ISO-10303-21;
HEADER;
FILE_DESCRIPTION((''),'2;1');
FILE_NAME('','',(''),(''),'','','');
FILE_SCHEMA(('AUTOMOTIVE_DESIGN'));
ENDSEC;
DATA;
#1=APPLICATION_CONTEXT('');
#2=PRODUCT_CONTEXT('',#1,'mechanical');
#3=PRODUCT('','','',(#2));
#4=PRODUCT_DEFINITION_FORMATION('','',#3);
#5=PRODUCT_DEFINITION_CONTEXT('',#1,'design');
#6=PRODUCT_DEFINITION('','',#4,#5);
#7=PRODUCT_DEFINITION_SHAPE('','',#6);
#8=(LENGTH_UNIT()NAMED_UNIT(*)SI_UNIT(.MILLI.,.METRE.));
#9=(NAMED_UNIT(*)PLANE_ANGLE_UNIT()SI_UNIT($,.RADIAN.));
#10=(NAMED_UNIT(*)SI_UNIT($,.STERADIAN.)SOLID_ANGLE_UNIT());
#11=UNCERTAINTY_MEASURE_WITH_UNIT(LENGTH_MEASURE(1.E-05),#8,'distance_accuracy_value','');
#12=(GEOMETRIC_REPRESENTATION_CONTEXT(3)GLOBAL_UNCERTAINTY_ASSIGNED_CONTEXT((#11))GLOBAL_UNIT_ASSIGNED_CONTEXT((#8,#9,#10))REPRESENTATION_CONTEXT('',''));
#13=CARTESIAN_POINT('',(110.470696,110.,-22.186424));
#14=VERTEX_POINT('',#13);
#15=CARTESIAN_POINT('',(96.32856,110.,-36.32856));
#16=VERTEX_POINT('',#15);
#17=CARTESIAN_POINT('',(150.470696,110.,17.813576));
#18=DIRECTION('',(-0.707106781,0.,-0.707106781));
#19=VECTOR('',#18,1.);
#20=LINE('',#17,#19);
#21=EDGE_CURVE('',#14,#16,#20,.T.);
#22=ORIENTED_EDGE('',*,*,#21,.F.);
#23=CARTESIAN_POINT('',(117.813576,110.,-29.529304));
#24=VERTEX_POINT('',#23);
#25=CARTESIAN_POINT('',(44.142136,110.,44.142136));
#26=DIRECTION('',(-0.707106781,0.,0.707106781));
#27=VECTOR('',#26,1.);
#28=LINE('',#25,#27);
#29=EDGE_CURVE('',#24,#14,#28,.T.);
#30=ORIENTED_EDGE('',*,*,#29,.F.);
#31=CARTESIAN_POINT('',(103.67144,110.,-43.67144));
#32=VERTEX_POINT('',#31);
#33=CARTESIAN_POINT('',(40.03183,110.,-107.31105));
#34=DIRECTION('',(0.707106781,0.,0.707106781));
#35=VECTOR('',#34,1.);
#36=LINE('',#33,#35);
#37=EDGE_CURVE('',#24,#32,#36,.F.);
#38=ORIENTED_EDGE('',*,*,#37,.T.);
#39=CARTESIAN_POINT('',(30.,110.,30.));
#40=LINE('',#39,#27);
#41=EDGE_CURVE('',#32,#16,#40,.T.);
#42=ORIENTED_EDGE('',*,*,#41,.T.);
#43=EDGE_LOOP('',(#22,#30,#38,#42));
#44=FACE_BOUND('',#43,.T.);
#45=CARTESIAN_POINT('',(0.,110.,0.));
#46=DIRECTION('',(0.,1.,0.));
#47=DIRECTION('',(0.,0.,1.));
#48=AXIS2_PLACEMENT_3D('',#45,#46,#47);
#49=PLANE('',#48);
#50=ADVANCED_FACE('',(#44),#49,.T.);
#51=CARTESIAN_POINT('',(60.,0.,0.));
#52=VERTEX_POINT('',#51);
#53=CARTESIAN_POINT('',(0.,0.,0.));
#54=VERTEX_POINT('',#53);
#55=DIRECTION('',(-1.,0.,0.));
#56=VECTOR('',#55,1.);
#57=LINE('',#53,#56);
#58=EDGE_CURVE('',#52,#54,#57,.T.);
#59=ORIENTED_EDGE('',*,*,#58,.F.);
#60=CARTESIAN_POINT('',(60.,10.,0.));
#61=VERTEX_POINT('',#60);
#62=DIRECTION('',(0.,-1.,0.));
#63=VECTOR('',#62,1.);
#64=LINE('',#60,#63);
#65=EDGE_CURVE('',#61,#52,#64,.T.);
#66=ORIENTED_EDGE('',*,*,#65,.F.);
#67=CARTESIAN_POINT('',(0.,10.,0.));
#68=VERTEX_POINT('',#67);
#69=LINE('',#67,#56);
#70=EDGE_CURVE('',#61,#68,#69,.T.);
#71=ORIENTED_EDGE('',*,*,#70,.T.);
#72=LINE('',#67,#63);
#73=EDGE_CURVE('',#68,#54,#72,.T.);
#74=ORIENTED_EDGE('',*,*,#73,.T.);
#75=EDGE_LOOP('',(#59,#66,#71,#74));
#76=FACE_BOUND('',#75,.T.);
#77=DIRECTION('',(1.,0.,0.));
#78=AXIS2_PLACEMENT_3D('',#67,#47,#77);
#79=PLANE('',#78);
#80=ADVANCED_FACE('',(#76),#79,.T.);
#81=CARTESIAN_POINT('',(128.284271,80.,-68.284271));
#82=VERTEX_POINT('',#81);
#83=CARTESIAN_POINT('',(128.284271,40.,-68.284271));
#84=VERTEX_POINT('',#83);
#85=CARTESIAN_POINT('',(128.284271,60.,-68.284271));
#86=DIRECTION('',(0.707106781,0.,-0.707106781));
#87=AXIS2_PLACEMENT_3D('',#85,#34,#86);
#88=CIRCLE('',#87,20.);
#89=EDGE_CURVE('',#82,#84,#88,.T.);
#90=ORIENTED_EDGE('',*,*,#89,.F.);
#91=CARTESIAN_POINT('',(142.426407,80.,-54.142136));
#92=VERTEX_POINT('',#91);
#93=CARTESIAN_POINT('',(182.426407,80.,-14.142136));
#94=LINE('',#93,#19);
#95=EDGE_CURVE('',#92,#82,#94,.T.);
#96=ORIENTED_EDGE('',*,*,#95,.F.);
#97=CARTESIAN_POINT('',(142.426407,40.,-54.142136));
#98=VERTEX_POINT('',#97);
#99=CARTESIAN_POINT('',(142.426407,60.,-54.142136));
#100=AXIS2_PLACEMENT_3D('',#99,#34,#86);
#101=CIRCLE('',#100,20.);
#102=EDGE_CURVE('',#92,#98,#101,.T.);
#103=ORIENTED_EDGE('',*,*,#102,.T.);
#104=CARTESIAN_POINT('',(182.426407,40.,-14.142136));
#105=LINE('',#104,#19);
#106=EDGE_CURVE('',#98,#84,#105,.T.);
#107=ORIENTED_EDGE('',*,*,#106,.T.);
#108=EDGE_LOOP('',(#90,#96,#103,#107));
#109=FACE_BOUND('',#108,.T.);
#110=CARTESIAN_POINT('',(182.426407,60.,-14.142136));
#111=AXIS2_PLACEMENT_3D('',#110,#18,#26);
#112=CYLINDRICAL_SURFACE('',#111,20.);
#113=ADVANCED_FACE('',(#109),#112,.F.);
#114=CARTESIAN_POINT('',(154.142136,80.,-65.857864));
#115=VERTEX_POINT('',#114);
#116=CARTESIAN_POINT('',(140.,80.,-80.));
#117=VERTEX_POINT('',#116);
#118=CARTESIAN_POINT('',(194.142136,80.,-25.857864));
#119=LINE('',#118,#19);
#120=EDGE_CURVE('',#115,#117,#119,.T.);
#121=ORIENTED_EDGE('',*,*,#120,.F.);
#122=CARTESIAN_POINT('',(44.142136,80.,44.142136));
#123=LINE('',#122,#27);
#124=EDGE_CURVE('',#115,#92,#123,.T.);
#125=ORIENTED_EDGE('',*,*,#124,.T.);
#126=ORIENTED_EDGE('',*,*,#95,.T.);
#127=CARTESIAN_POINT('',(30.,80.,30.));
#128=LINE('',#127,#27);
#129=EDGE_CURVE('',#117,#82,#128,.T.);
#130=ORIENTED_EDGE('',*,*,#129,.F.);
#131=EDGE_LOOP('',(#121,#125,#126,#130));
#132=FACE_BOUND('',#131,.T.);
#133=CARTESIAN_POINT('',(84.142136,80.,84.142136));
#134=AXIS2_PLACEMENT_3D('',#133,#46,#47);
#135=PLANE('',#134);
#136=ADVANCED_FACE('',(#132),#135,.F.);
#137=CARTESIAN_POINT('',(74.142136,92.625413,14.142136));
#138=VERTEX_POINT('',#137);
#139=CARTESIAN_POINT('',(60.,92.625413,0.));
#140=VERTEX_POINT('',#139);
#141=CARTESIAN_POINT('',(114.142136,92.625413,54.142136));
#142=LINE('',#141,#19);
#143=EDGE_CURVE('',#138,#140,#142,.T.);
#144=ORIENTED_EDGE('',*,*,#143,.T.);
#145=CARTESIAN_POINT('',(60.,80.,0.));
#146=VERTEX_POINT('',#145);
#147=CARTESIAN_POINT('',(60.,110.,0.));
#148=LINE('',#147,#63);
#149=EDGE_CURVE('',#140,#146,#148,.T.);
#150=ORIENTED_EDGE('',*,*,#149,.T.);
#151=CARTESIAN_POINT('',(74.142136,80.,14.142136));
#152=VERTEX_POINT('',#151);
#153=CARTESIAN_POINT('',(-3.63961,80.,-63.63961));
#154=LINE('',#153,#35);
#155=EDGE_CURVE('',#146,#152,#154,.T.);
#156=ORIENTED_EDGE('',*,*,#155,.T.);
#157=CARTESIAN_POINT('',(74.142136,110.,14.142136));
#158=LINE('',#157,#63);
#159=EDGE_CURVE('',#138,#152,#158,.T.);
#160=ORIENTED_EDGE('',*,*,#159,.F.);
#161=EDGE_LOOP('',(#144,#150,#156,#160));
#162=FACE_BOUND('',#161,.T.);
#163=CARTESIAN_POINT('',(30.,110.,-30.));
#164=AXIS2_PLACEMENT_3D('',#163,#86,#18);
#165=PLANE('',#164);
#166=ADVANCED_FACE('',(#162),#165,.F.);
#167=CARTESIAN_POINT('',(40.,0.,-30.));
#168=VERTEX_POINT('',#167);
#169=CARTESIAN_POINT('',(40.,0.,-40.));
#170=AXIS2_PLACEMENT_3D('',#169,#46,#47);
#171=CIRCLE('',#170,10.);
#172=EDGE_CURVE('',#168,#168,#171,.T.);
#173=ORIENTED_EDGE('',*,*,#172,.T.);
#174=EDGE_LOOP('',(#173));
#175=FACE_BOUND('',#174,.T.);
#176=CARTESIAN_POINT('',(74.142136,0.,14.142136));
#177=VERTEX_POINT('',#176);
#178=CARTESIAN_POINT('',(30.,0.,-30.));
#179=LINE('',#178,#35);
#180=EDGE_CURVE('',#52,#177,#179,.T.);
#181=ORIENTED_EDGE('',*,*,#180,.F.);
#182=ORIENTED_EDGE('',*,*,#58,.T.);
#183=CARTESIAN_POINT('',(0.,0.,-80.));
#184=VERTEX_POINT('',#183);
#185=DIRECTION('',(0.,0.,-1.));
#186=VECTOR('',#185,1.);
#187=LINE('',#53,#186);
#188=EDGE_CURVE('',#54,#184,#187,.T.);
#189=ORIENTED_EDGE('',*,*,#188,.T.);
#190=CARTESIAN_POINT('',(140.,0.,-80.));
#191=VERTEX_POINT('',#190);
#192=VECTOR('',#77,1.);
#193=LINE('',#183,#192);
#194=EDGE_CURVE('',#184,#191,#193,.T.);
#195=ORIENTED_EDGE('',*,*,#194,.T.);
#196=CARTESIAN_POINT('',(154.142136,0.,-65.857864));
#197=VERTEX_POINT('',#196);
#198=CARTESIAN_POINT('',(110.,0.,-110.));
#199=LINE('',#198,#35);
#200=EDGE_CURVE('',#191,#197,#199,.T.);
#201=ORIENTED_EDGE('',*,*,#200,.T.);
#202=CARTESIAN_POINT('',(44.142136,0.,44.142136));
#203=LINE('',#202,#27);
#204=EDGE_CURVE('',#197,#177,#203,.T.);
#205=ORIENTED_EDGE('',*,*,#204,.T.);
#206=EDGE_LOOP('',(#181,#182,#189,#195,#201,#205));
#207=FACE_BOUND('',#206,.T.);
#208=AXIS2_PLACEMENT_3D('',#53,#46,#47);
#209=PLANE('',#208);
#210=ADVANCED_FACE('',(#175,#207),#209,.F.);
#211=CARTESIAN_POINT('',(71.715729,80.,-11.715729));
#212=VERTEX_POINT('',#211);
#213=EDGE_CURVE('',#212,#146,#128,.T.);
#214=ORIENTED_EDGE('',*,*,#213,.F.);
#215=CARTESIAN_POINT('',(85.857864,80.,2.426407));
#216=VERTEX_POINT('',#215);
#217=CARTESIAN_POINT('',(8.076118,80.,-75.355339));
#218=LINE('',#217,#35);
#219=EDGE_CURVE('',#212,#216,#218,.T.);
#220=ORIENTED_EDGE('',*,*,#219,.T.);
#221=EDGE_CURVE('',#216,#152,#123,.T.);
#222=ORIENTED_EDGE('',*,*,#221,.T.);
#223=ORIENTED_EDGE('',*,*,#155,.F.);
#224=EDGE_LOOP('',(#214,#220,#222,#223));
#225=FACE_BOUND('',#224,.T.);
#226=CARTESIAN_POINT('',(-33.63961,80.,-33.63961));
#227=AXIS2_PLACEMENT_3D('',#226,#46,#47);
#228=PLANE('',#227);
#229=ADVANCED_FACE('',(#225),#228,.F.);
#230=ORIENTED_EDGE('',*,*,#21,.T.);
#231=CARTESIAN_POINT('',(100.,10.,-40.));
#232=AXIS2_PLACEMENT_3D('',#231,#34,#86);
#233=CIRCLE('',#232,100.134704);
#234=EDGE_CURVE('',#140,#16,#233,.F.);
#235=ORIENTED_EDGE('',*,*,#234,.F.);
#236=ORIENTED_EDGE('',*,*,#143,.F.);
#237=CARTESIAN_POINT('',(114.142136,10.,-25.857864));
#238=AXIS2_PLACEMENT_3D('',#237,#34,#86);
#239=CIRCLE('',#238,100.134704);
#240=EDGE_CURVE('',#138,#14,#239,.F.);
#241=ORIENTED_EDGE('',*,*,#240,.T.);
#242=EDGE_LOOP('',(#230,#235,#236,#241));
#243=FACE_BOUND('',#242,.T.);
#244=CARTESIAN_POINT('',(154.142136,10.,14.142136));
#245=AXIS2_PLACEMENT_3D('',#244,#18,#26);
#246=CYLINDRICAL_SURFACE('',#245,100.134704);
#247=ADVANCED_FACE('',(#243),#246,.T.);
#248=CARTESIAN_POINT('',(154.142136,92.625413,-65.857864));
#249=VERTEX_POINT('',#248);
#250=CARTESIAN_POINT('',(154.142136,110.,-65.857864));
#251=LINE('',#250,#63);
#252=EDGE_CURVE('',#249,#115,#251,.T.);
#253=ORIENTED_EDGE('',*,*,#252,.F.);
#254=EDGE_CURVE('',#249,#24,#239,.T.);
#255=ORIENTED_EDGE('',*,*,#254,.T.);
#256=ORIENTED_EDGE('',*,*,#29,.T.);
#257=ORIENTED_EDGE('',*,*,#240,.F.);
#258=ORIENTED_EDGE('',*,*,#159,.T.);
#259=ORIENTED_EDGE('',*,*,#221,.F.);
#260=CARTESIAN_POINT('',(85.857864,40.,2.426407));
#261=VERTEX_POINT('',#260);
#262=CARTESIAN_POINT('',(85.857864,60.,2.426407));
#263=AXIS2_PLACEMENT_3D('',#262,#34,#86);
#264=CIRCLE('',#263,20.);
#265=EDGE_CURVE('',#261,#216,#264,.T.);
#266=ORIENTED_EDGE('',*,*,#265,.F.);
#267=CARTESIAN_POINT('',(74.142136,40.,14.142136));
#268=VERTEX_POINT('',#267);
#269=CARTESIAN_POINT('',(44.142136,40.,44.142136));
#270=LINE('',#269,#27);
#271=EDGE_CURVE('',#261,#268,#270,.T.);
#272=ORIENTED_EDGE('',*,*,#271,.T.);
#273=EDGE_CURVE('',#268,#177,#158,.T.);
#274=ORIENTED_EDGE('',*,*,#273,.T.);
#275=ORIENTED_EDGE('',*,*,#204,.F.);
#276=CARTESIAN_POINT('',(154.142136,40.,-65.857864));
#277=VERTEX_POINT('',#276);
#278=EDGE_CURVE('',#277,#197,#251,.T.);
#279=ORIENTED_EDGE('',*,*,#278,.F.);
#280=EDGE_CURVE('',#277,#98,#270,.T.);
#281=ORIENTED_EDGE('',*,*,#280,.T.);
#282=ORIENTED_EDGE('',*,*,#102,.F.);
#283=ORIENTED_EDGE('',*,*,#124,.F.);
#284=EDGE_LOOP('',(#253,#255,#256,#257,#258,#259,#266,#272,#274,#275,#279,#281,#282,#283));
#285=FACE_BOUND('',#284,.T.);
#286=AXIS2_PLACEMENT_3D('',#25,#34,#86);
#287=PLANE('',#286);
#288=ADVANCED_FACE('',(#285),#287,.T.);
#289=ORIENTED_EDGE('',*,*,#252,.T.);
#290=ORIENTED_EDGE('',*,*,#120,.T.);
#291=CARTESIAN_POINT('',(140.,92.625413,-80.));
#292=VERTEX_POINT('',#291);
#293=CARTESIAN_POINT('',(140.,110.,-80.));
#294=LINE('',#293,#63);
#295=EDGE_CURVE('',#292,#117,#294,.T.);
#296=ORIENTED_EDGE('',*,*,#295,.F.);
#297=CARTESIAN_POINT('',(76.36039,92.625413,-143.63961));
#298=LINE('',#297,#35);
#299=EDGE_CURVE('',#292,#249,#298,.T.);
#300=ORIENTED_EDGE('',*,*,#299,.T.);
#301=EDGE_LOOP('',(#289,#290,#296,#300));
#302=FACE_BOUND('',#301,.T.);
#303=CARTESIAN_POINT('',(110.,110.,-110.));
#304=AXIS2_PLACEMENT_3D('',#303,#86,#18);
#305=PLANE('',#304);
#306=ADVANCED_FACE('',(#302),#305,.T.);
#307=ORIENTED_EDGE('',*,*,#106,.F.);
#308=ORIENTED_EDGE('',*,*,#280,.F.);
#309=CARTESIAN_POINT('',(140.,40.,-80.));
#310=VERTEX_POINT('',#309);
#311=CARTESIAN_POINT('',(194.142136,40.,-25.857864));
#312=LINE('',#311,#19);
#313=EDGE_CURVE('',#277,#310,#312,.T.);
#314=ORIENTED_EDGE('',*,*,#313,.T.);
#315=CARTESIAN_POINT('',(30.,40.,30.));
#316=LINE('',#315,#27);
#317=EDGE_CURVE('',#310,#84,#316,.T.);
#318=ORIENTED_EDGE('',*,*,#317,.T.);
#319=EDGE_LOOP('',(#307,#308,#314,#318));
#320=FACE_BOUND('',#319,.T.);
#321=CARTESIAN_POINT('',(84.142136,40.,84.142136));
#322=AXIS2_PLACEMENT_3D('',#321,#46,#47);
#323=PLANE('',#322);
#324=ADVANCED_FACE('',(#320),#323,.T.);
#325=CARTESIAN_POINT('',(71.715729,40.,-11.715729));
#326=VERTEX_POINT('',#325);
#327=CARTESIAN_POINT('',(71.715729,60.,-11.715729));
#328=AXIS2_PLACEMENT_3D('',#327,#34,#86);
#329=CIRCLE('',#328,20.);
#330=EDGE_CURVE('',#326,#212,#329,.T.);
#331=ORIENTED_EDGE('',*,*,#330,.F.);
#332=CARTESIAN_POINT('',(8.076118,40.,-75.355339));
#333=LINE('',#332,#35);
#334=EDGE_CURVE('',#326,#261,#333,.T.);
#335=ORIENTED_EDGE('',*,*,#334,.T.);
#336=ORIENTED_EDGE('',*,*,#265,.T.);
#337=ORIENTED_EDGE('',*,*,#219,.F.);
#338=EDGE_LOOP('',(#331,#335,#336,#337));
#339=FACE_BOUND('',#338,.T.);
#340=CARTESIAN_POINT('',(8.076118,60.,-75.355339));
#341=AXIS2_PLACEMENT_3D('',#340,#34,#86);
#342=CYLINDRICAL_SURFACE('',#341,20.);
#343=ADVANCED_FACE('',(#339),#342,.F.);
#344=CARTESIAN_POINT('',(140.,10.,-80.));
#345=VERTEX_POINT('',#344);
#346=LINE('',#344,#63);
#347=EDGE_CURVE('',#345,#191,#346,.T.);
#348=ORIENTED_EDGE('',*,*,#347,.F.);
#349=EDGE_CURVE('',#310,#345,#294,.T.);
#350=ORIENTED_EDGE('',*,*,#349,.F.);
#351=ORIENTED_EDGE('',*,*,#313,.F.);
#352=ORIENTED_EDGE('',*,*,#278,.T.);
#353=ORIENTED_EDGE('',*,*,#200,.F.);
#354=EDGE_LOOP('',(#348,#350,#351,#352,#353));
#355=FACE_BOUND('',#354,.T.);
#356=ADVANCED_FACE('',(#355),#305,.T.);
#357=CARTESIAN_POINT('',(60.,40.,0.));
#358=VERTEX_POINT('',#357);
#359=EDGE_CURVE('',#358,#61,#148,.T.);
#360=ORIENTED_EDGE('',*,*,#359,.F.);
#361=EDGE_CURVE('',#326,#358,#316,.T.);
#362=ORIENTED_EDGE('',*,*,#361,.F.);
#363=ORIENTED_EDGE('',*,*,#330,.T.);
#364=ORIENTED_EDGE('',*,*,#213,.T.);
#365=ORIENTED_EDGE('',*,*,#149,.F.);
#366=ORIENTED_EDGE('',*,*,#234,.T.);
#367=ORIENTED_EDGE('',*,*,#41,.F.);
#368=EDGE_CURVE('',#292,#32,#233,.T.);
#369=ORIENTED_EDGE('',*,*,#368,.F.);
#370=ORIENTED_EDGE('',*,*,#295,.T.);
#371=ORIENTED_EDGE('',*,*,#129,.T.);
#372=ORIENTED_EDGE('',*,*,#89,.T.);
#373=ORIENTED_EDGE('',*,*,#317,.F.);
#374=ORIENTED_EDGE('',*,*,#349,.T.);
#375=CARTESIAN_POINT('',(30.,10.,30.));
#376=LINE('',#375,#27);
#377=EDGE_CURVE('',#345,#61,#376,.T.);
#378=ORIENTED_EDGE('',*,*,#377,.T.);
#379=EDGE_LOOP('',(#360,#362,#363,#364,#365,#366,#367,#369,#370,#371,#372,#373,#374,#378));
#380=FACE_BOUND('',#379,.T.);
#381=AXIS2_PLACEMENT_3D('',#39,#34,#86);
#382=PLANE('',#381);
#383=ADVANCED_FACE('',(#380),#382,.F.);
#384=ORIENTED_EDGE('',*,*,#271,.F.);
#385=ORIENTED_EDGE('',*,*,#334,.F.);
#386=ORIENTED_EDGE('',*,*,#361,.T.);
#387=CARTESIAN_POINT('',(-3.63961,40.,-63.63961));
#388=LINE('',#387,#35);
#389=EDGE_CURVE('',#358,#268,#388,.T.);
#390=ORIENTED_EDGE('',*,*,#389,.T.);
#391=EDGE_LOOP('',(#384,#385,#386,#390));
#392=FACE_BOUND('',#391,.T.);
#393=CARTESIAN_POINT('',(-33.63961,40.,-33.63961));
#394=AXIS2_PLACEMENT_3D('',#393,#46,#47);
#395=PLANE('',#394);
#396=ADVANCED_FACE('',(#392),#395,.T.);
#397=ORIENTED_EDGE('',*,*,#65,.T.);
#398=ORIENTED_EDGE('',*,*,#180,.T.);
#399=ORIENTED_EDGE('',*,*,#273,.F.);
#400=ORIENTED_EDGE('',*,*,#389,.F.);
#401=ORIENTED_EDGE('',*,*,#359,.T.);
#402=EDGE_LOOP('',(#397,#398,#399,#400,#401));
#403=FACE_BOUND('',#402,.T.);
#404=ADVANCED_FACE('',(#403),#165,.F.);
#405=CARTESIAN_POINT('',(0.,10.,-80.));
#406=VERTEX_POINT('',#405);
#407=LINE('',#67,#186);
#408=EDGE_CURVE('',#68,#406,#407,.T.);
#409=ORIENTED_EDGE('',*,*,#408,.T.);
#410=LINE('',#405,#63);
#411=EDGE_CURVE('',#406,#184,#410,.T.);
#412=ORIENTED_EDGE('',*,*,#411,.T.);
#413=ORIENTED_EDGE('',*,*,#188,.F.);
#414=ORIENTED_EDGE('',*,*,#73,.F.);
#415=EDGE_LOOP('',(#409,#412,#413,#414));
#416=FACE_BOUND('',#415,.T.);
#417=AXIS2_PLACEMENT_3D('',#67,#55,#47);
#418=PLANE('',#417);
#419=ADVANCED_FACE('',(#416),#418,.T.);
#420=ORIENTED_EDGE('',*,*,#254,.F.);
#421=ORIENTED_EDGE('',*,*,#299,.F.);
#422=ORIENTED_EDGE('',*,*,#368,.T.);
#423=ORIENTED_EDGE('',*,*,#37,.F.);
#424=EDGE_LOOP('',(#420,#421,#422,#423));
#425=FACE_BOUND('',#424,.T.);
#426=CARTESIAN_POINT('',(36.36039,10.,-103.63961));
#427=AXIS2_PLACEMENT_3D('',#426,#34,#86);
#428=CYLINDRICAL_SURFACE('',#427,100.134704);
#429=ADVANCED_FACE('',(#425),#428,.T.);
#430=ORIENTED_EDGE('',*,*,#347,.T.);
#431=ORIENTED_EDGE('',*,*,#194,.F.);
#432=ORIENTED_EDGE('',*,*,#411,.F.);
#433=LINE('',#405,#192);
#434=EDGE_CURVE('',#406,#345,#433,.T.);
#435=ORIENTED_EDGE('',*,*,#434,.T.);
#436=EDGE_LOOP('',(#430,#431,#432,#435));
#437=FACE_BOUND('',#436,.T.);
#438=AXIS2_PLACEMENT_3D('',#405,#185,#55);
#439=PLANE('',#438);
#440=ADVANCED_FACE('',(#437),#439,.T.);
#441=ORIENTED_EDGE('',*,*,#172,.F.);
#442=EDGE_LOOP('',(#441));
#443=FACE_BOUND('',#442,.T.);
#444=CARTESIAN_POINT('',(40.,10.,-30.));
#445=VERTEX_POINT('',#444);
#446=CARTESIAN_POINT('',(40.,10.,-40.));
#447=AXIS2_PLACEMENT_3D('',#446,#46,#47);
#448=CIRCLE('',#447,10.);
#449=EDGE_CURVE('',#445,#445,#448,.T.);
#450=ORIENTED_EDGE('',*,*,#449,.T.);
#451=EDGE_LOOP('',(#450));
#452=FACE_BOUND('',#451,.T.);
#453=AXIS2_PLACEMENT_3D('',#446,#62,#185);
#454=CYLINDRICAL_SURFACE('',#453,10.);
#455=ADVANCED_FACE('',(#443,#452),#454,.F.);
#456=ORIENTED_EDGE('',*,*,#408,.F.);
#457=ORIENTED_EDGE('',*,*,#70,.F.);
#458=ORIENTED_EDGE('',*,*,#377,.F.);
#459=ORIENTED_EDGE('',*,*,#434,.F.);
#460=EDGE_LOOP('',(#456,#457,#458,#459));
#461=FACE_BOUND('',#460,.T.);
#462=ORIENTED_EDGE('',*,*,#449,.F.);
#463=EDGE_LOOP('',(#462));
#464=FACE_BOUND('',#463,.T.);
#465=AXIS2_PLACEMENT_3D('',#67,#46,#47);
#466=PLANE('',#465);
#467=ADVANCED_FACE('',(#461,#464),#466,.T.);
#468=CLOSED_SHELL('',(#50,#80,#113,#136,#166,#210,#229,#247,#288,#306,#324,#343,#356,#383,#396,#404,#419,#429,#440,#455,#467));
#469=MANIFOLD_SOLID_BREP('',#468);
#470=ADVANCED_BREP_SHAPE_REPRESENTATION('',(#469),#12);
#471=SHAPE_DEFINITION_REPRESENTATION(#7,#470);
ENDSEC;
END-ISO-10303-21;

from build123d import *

# Parameters (mm, degrees)
SKETCH1_R               = 10
BOSS_EXTRUDE1_DEPTH     = 10
BOSS_EXTRUDE2_DEPTH     = 110
CUT_EXTRUDE2_DEPTH      = 200.025801938
CUT_EXTRUDE2_DEPTH_BACK = 110


with BuildPart() as part:
    # Sketch1 → Boss-Extrude1 (new body)
    with BuildSketch(Plane(origin=(0, 0, 0), x_dir=(1, 0, 0), z_dir=(0, 1, 0))):
        Polygon((0, 80), (0, 0), (60, 0), (140, 80), align=None)
        with Locations((40, 40)):
            Circle(SKETCH1_R, mode=Mode.SUBTRACT)
    extrude(amount=BOSS_EXTRUDE1_DEPTH)

    # Sketch1<3> → Boss-Extrude2 (add)
    with BuildSketch(Plane(origin=(0, 0, 0), x_dir=(1, 0, 0), z_dir=(0, 1, 0))):
        Polygon((140, 80), (60, 0), (74.142135624, -14.142135624), (154.142135624, 65.857864376), align=None)
    extrude(amount=BOSS_EXTRUDE2_DEPTH)

    # Sketch2 → Cut-Extrude2 (cut, two sides: drawn at the far end of the back side and taken through both)
    with BuildSketch(Plane(origin=(44.142135624, 0, 44.142135624), x_dir=(0.7071067811865461, 0, -0.707106781186549), z_dir=(0.707106781186549, 0, 0.7071067811865461)).offset(-CUT_EXTRUDE2_DEPTH_BACK)):
        with BuildLine():
            Line((58.994949366, 80), (42.426406871, 80))
            Line((42.426406871, 80), (42.426406871, 40))
            Line((42.426406871, 40), (58.994949366, 40))
            ThreePointArc((58.994949366, 40), (78.994949366, 60), (58.994949366, 80))
        make_face()
        with BuildLine():
            Line((42.426406871, 110), (42.426406871, 92.625413423))
            ThreePointArc((42.426406871, 92.625413423), (66.915884537, 104.857221881), (93.802749132, 110))
            Line((93.802749132, 110), (42.426406871, 110))
        make_face()
        with BuildLine():
            Line((155.563491861, 40), (155.563491861, 80))
            Line((155.563491861, 80), (138.994949366, 80))
            ThreePointArc((138.994949366, 80), (118.994949366, 60), (138.994949366, 40))
            Line((138.994949366, 40), (155.563491861, 40))
        make_face()
        with BuildLine():
            Line((155.563491861, 110), (104.1871496, 110))
            ThreePointArc((104.1871496, 110), (131.074014195, 104.857221881), (155.563491861, 92.625413423))
            Line((155.563491861, 92.625413423), (155.563491861, 110))
        make_face()
    extrude(amount=CUT_EXTRUDE2_DEPTH + CUT_EXTRUDE2_DEPTH_BACK, mode=Mode.SUBTRACT)


solid = part.part
